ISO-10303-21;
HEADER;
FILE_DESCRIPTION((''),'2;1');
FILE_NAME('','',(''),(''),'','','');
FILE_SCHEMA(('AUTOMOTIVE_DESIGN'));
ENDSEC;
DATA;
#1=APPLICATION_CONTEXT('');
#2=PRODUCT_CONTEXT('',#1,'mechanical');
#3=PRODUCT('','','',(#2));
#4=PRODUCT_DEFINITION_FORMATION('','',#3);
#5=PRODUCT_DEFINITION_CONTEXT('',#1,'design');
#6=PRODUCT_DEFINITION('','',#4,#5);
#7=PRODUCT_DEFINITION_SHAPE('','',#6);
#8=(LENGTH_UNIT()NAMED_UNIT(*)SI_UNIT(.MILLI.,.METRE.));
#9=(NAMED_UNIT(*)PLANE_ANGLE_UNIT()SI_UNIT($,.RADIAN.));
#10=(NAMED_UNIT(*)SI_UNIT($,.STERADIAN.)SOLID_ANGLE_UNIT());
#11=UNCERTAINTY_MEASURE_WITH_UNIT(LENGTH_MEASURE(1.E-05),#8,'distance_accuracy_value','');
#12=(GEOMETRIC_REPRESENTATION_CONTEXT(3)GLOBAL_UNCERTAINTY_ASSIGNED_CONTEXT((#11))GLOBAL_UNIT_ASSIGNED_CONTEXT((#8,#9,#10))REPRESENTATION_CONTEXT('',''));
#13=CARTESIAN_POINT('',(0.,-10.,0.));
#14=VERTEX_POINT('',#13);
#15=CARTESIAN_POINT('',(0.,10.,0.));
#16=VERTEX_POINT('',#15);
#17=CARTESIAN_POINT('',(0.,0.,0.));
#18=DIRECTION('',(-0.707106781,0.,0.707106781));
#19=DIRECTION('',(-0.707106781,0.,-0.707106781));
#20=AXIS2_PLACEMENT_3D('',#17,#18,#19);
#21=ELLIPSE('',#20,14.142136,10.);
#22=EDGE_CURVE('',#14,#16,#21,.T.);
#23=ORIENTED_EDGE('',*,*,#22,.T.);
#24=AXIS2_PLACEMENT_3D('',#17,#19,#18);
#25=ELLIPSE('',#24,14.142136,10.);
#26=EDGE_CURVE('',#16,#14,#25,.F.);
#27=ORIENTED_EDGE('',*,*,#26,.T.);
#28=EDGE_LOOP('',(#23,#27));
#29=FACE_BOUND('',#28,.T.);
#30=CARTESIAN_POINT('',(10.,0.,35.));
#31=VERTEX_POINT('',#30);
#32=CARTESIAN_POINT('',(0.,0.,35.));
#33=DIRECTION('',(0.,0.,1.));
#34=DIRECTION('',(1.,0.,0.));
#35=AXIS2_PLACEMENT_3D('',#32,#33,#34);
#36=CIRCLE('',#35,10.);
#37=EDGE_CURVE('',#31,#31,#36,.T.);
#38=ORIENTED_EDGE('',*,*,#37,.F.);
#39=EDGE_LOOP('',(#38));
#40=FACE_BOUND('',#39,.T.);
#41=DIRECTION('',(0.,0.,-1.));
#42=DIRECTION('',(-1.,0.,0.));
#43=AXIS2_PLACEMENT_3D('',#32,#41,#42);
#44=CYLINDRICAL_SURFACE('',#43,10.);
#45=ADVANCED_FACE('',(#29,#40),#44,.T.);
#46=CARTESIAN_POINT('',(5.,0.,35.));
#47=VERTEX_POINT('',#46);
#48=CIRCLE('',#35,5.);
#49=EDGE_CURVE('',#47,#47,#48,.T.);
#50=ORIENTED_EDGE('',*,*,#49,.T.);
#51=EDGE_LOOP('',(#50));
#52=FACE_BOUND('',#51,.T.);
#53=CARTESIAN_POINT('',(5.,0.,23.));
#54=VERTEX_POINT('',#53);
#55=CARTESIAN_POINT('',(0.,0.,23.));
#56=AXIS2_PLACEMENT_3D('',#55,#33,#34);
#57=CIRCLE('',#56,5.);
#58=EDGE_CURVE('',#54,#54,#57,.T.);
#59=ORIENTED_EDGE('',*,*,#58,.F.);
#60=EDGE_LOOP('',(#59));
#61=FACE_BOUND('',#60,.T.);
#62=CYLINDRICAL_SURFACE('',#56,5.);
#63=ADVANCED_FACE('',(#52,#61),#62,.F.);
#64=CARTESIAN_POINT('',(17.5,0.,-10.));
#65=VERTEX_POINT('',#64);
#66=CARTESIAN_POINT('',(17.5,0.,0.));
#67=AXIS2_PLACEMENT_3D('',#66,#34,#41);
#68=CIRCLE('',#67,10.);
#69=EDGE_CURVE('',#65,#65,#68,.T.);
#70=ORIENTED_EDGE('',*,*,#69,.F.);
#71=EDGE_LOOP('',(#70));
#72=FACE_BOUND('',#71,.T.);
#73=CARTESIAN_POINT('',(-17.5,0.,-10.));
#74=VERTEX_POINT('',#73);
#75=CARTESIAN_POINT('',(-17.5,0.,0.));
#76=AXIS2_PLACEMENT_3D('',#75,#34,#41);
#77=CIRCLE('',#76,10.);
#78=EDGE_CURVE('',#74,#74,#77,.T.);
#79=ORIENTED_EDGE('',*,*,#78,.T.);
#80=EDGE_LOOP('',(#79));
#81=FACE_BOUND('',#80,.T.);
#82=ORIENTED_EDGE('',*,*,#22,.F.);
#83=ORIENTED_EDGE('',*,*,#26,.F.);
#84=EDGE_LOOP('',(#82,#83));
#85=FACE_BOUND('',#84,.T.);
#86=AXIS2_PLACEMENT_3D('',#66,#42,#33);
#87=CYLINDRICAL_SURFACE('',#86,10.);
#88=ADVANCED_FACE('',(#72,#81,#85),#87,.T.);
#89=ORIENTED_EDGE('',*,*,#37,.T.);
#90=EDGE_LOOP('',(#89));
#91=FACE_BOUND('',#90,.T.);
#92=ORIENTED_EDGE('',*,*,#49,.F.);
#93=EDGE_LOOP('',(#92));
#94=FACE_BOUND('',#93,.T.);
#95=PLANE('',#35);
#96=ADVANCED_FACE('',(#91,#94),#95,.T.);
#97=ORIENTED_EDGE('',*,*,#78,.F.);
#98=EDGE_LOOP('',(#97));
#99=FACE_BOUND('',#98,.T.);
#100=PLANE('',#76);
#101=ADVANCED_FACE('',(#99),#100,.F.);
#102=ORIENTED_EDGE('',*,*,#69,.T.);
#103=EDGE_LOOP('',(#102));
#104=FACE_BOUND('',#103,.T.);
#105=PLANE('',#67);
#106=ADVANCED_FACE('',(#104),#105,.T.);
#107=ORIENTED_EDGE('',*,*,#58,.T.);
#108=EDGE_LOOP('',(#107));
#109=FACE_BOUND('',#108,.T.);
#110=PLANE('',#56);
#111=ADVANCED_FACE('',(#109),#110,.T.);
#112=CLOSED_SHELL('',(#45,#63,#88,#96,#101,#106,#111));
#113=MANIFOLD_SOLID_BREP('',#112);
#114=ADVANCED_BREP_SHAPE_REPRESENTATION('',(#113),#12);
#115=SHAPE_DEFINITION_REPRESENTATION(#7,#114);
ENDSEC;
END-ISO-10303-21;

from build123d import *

# Parameters (mm, degrees)
SKETCH_22_R         = 10
EXTRUDE_12_DEPTH    = 17.5
SKETCH_25_R         = 10
EXTRUDE_13_DEPTH    = 35
SKETCH_26_R         = 5
CUT_EXTRUDE_6_DEPTH = 12


with BuildPart() as part:
    # 草图22 → 凸台-拉伸12 (new, symmetric)
    with BuildSketch(Plane(origin=(0, 0, 0), x_dir=(0, 0, -1), z_dir=(1, 0, 0))):
        Circle(SKETCH_22_R)
    extrude(amount=EXTRUDE_12_DEPTH, both=True)

    # 草图25 → 凸台-拉伸13 (add)
    with BuildSketch(Plane.XY):
        with Locations(Location((0, 0, 0), (0, 0, 90))):
            Circle(SKETCH_25_R)
    extrude(amount=EXTRUDE_13_DEPTH)

    # 草图26 → 切除-拉伸6 (cut)
    with BuildSketch(Plane.XY.offset(35)):
        Circle(SKETCH_26_R)
    extrude(amount=-CUT_EXTRUDE_6_DEPTH, mode=Mode.SUBTRACT)


solid = part.part
